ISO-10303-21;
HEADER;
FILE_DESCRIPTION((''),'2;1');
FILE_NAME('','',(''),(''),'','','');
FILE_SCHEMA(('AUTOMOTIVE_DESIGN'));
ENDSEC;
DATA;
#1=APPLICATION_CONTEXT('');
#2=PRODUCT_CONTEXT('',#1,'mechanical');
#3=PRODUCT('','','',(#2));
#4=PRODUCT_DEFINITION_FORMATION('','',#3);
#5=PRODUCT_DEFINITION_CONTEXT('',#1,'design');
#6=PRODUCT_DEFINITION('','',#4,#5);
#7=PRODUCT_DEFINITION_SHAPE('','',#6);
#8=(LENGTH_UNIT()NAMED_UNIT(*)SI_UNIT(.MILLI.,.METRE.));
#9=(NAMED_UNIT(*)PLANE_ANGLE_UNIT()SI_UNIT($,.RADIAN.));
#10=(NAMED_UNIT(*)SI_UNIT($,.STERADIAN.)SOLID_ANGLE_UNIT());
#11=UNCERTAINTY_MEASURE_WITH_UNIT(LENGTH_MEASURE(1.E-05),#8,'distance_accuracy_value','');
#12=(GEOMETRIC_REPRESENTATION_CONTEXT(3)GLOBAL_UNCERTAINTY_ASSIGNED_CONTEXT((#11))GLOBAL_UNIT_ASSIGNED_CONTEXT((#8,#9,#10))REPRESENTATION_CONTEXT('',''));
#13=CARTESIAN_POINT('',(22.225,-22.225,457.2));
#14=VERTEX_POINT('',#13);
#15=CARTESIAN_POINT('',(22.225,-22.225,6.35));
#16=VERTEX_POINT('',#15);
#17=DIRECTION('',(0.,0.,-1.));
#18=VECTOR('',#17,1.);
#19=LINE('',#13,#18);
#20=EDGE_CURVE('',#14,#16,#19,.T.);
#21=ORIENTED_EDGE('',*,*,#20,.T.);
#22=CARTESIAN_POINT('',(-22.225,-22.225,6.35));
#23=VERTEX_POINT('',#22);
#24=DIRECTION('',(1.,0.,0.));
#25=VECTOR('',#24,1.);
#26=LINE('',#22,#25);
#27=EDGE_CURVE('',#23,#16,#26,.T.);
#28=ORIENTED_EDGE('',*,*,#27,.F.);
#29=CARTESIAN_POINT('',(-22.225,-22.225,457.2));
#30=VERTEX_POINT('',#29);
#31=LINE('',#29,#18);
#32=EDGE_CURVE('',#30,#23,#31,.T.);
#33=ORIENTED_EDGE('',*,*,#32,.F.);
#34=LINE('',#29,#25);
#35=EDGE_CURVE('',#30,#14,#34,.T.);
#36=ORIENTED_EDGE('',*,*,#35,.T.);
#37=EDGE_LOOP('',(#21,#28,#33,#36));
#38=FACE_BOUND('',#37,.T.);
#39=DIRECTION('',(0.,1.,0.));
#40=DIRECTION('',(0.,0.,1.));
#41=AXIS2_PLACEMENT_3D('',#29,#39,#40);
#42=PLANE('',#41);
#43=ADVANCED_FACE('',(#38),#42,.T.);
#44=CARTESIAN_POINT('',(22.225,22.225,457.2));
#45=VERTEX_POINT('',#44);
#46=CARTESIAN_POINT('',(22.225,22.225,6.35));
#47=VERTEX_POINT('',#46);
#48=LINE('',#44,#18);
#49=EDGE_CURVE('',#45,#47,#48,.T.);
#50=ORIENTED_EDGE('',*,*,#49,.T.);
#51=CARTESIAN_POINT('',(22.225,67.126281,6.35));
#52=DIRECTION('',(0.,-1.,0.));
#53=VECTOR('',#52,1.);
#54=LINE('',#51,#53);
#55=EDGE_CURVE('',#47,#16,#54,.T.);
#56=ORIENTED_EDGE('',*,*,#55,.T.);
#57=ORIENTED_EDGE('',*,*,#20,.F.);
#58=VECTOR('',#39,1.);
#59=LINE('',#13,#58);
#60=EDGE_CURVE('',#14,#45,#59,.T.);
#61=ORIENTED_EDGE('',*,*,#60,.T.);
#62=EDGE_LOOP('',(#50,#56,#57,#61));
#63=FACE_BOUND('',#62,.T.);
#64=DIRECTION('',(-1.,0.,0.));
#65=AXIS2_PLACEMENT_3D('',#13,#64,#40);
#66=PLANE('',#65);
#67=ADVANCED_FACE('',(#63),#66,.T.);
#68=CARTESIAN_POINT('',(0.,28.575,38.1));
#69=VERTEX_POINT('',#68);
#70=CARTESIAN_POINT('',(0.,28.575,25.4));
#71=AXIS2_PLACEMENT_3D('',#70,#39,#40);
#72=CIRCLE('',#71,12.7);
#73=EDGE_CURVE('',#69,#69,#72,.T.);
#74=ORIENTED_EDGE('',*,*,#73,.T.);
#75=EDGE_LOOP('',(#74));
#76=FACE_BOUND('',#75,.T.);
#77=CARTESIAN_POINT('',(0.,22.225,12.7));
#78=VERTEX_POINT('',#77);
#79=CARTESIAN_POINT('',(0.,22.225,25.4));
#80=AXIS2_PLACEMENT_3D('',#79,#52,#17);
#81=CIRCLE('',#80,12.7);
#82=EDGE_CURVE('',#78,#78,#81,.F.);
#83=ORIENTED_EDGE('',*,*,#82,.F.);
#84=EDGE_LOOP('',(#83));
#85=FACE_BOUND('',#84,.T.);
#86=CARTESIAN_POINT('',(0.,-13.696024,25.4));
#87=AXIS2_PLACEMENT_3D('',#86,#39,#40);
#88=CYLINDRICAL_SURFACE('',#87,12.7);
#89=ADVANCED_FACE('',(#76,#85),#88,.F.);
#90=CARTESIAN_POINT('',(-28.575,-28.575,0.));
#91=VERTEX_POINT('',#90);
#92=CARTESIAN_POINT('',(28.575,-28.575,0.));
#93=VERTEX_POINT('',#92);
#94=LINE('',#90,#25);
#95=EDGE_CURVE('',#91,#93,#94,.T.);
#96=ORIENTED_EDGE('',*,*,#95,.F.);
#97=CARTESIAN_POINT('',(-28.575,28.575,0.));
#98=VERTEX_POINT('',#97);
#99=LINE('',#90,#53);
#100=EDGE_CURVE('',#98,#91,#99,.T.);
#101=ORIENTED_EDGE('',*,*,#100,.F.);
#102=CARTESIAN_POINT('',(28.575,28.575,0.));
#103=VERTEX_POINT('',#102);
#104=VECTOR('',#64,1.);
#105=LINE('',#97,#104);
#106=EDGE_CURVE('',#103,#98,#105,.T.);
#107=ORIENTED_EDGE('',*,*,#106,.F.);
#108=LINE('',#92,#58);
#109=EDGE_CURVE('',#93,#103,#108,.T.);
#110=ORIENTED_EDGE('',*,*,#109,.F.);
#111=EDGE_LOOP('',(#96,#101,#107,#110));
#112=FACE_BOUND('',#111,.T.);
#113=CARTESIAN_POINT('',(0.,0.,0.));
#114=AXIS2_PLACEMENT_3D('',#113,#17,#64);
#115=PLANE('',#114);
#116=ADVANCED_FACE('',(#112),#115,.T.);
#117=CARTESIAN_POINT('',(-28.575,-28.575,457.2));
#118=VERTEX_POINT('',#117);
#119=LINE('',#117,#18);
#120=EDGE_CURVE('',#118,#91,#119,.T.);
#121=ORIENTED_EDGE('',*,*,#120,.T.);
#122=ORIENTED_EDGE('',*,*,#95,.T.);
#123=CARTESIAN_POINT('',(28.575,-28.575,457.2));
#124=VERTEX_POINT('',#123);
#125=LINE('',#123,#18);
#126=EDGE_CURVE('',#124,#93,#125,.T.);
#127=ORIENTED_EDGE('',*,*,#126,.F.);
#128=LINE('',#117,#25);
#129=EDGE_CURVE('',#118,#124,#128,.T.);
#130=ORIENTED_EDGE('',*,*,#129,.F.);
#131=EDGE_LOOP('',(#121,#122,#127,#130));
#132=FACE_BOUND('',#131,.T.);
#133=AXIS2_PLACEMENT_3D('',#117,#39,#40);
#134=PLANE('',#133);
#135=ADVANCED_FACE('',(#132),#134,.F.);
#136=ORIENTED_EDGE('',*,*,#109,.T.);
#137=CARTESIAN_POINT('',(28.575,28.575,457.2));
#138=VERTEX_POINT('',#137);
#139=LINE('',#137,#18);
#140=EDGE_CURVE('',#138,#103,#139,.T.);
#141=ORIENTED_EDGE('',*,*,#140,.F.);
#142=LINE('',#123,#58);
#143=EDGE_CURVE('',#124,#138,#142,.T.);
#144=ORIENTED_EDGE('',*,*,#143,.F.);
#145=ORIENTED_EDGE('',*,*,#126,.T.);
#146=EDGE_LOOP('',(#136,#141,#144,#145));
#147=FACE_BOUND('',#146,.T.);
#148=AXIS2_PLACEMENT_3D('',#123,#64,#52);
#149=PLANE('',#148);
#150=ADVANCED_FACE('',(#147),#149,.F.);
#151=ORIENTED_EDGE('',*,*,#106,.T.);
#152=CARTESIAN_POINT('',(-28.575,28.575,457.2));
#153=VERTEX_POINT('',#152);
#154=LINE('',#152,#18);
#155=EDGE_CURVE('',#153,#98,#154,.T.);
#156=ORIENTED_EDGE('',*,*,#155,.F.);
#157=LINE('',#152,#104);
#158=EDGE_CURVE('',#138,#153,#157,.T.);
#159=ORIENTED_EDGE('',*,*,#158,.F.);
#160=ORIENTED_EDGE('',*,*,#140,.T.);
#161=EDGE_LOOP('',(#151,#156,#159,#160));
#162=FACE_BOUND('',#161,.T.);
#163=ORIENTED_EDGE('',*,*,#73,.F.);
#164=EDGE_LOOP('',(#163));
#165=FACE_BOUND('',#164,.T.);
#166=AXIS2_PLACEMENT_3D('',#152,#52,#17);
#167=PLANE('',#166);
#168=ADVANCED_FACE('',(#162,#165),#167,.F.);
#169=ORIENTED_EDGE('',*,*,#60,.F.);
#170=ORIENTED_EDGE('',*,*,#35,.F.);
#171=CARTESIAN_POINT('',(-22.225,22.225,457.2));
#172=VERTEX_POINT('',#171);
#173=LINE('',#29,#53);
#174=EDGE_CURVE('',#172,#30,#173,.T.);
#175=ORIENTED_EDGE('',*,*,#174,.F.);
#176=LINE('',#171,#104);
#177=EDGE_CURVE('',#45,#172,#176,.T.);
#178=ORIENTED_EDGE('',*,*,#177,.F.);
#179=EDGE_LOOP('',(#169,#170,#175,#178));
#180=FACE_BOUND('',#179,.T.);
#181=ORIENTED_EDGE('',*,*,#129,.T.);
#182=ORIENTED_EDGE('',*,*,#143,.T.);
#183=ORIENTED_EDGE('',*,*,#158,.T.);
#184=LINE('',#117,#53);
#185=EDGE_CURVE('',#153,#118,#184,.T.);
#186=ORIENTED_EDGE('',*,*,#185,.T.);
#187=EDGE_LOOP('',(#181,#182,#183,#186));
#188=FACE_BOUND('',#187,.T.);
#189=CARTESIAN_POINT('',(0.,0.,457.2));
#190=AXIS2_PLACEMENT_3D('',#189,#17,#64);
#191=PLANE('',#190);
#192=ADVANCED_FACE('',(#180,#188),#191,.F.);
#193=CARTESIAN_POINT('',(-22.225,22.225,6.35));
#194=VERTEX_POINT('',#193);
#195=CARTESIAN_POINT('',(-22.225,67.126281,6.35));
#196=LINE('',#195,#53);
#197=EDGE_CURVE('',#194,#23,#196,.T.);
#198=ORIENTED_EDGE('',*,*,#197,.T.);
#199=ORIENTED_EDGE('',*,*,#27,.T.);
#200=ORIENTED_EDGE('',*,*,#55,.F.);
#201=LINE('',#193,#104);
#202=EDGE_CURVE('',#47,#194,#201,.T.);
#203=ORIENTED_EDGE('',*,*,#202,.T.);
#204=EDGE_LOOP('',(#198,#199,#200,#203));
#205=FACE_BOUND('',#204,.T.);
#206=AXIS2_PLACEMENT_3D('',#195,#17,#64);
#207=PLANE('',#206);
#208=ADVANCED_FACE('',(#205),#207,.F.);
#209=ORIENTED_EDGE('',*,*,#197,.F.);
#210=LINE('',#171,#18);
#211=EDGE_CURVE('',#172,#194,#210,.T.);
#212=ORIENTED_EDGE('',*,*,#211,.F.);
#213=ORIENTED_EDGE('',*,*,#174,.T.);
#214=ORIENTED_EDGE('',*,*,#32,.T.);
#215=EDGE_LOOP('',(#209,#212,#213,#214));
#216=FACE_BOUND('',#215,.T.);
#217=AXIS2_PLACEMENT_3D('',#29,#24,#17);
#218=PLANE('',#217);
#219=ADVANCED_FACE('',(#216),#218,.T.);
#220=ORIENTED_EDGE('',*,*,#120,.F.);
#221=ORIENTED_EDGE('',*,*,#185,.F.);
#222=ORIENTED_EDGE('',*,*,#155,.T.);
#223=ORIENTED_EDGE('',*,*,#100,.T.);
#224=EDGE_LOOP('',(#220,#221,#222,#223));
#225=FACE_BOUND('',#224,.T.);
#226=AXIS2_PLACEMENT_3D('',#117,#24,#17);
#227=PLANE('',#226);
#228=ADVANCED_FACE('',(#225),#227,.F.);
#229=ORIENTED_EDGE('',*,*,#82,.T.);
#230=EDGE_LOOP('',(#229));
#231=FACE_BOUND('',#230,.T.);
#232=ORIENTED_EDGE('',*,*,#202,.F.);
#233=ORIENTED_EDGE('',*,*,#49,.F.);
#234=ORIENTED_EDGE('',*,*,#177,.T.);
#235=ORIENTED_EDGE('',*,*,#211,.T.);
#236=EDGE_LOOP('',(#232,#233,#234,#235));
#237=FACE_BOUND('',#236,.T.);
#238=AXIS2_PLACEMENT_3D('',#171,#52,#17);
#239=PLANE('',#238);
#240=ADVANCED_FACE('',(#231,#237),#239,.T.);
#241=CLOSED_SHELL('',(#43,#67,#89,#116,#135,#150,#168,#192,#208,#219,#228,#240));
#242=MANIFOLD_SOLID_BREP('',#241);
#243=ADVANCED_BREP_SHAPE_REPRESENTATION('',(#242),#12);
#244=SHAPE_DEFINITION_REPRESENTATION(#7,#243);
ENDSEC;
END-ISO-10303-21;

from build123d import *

# Parameters (mm, degrees)
SKETCH1_W           = 57.15
SKETCH1_H           = 57.15
SKETCH1_W_2         = 44.45
SKETCH1_H_2         = 44.45
BOSS_EXTRUDE1_DEPTH = 457.2
SKETCH2_W           = 44.45
SKETCH2_H           = 6.35
BOSS_EXTRUDE2_DEPTH = 44.45
SKETCH3_R           = 12.7
CUT_EXTRUDE1_DEPTH  = 6.35


with BuildPart() as part:
    # Sketch1 → Boss-Extrude1 (new body)
    with BuildSketch(Plane.XY):
        Rectangle(SKETCH1_W, SKETCH1_H)
        Rectangle(SKETCH1_W_2, SKETCH1_H_2, mode=Mode.SUBTRACT)
    extrude(amount=BOSS_EXTRUDE1_DEPTH)

    # Sketch2 → Boss-Extrude2 (add)
    with BuildSketch(Plane(origin=(0, -22.225, 0), x_dir=(1, 0, 0), z_dir=(0, 1, 0))):
        with Locations((0, -3.175)):
            Rectangle(SKETCH2_W, SKETCH2_H)
    extrude(amount=BOSS_EXTRUDE2_DEPTH)

    # Sketch3 → Cut-Extrude1 (cut)
    with BuildSketch(Plane(origin=(0, 28.575, 0), x_dir=(0, 0, -1), z_dir=(0, 1, 0))):
        with Locations(Location((-25.4, 0, 0), (0, 0, 180))):
            Circle(SKETCH3_R)
    extrude(amount=-CUT_EXTRUDE1_DEPTH, mode=Mode.SUBTRACT)


solid = part.part
